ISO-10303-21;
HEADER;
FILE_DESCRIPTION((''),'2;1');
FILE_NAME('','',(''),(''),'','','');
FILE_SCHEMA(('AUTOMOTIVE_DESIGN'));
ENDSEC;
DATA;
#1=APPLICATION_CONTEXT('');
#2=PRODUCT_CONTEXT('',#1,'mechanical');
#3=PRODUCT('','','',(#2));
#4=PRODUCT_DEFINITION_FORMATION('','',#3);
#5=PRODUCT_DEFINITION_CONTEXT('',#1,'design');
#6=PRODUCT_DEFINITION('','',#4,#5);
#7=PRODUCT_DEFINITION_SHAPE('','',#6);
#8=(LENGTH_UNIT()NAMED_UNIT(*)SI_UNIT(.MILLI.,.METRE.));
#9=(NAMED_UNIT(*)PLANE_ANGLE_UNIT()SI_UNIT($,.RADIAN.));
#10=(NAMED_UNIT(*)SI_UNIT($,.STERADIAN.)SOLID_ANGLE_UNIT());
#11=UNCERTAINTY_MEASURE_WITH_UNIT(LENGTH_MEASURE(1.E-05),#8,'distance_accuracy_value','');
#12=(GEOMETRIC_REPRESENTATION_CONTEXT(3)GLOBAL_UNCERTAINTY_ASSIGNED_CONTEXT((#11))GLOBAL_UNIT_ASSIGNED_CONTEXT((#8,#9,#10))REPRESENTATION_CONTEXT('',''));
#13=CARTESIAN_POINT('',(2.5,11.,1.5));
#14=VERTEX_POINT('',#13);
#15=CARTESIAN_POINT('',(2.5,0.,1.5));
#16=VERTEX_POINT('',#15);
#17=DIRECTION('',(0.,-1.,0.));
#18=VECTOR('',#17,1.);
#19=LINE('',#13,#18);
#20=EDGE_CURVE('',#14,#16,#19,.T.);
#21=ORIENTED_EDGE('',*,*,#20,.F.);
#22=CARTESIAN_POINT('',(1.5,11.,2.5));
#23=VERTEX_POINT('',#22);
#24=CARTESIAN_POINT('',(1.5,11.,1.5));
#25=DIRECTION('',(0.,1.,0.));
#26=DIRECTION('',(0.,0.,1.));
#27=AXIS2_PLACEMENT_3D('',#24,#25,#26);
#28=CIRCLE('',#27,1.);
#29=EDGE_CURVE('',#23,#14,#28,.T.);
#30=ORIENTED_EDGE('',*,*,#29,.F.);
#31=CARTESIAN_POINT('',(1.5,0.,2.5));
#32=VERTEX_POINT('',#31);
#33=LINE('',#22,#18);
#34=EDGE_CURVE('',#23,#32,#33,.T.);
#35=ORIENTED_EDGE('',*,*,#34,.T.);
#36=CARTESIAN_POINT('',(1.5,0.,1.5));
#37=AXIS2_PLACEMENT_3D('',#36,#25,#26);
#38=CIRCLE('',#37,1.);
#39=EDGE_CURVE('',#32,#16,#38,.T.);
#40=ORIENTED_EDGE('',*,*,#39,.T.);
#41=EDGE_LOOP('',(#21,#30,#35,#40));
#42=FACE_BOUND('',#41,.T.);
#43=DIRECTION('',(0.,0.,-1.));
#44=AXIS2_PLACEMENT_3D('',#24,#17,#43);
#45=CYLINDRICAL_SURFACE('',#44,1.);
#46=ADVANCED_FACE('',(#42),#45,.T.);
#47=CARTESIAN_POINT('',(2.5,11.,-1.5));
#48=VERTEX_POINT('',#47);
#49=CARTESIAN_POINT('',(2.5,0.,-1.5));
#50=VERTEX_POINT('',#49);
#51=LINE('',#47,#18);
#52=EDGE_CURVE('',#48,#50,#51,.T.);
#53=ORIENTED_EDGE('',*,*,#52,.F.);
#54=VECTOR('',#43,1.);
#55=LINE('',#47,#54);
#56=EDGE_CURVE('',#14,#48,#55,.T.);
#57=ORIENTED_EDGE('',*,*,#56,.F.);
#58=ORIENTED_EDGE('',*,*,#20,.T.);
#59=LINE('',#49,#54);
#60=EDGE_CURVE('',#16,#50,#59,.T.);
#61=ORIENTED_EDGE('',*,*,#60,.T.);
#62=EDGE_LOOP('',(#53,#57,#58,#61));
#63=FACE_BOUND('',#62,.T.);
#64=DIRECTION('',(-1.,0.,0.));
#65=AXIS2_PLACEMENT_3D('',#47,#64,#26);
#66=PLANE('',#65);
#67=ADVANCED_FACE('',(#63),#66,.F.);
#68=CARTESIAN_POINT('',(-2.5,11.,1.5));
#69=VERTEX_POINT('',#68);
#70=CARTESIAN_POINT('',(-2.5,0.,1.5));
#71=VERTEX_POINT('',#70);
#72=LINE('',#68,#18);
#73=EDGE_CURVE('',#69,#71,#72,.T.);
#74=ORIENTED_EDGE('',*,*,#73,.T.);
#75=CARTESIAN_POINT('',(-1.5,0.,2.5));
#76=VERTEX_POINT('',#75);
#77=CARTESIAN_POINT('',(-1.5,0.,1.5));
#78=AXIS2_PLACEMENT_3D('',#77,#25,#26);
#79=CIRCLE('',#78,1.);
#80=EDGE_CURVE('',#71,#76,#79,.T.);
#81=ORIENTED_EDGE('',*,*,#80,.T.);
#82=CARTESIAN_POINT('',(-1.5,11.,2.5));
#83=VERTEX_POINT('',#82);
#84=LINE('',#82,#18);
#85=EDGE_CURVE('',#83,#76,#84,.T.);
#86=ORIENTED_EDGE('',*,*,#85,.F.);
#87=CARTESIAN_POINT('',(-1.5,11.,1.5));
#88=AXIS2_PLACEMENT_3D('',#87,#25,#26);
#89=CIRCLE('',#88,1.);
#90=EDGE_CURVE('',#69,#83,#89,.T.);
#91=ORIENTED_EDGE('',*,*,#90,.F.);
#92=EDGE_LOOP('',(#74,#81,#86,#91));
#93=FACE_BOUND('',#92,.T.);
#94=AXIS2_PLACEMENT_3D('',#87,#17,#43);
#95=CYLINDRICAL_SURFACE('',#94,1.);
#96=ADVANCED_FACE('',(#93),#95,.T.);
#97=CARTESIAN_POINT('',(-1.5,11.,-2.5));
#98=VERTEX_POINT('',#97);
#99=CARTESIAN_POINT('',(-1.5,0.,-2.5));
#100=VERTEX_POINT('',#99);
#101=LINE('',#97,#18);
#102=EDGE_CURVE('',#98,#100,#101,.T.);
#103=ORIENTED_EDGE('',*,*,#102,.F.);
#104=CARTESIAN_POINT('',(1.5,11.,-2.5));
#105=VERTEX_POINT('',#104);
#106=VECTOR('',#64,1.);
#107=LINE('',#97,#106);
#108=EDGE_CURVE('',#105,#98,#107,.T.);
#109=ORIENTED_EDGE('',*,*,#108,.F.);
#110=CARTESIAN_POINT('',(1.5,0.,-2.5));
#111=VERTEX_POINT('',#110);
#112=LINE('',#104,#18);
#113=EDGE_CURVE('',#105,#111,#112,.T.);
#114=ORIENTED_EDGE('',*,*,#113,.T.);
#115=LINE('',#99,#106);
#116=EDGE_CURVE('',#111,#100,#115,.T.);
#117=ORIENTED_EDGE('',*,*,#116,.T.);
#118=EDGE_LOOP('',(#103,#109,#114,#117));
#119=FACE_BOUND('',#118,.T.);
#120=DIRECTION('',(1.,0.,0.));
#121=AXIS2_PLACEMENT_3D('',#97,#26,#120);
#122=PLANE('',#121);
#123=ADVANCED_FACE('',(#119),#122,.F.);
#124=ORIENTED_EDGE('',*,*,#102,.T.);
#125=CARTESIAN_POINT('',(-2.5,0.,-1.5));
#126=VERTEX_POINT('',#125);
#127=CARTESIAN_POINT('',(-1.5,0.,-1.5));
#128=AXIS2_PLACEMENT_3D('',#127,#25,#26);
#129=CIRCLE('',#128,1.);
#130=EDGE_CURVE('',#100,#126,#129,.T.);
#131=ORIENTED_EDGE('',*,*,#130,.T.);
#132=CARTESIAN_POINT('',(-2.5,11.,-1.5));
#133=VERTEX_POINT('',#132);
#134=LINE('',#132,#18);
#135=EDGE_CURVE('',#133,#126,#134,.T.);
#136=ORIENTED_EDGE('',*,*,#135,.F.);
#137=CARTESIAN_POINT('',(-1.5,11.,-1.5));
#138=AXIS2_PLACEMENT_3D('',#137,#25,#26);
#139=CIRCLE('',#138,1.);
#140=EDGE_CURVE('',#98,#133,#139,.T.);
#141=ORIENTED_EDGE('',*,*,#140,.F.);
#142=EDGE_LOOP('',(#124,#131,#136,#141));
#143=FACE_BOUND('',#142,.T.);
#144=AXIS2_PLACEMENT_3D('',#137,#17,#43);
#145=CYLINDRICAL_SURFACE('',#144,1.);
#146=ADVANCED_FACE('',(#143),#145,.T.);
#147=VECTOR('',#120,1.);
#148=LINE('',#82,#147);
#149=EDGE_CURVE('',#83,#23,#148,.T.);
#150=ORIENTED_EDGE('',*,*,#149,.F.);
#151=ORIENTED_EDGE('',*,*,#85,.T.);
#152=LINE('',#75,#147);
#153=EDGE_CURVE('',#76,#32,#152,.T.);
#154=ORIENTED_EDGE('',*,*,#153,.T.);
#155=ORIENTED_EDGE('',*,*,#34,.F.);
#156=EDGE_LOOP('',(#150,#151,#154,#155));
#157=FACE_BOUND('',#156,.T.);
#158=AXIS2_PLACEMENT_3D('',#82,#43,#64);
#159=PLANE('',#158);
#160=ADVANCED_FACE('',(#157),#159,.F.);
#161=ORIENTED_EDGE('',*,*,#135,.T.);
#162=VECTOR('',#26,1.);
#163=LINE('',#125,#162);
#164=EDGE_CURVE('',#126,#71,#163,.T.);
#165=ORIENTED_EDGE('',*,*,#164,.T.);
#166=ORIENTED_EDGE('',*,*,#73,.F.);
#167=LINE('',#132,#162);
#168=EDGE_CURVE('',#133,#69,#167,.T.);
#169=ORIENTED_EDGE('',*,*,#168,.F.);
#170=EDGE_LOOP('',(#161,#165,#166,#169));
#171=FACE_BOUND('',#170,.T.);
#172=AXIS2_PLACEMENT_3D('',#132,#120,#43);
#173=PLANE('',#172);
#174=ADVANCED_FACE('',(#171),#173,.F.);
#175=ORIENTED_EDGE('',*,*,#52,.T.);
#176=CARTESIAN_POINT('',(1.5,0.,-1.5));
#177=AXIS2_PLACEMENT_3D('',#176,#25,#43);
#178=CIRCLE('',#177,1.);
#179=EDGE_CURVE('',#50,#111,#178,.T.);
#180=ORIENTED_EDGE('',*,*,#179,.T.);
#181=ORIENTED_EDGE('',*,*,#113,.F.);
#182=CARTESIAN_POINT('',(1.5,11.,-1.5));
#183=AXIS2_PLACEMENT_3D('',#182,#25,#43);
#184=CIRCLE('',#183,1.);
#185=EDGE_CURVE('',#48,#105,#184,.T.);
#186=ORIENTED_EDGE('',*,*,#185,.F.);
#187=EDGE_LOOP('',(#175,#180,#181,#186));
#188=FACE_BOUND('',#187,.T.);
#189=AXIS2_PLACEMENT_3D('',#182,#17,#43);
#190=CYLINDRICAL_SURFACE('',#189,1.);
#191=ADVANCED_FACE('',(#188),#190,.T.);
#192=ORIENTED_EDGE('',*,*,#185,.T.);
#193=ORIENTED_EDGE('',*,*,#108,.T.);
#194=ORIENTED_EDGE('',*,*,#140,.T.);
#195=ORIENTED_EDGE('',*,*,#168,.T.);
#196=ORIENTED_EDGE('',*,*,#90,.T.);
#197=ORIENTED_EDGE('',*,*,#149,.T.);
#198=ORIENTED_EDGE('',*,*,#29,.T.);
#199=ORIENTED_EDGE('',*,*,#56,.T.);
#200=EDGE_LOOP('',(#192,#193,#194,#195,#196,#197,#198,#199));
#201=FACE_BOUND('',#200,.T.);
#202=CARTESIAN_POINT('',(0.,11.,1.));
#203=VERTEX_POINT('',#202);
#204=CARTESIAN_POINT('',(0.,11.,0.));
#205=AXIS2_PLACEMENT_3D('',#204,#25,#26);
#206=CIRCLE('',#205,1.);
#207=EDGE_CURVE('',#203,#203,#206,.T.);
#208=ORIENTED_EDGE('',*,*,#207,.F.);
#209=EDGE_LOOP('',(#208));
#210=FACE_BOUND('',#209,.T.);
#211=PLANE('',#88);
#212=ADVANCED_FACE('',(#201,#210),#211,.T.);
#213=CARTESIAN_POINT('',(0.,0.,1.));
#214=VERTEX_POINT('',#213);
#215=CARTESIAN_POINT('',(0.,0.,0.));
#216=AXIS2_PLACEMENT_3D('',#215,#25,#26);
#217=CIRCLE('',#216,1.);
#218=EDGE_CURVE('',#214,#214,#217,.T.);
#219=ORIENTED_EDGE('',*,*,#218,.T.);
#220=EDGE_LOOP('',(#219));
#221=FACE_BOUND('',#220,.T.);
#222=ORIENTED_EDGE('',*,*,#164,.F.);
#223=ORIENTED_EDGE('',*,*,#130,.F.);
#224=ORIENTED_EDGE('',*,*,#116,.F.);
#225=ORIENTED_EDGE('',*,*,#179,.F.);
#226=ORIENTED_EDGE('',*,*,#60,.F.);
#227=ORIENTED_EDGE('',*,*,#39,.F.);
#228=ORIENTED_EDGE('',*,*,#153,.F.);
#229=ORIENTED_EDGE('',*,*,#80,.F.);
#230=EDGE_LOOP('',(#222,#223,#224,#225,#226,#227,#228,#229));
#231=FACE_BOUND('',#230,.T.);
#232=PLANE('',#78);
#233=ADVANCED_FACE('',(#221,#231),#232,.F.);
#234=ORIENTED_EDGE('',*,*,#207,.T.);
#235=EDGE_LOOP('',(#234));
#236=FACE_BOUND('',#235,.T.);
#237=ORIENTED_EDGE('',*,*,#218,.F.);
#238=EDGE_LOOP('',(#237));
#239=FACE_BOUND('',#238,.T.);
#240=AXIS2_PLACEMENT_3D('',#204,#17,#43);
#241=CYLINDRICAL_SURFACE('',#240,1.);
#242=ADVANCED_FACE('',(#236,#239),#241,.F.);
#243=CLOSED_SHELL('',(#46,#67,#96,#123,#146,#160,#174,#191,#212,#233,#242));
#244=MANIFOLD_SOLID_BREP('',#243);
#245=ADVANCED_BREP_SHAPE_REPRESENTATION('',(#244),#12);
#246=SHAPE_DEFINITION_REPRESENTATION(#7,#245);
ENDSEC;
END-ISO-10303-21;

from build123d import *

# Parameters (mm, degrees)
SKETCH_1_R      = 1
EXTRUDE_1_DEPTH = 11


with BuildPart() as part:
    # Эскиз1 → Бобышка-Вытянуть1 (new body)
    with BuildSketch(Plane(origin=(0, 0, 0), x_dir=(1, 0, 0), z_dir=(0, 1, 0))):
        with BuildLine():
            Line((-1.5, 2.5), (1.5, 2.5))
            ThreePointArc((1.5, 2.5), (2.207106781, 2.207106781), (2.5, 1.5))
            Line((2.5, 1.5), (2.5, -1.5))
            ThreePointArc((2.5, -1.5), (2.207106781, -2.207106781), (1.5, -2.5))
            Line((1.5, -2.5), (-1.5, -2.5))
            ThreePointArc((-1.5, -2.5), (-2.207106781, -2.207106781), (-2.5, -1.5))
            Line((-2.5, -1.5), (-2.5, 1.5))
            ThreePointArc((-2.5, 1.5), (-2.207106781, 2.207106781), (-1.5, 2.5))
        make_face()
        with Locations(Location((0, 0, 0), (0, 0, 270))):
            Circle(SKETCH_1_R, mode=Mode.SUBTRACT)
    extrude(amount=EXTRUDE_1_DEPTH)


solid = part.part
